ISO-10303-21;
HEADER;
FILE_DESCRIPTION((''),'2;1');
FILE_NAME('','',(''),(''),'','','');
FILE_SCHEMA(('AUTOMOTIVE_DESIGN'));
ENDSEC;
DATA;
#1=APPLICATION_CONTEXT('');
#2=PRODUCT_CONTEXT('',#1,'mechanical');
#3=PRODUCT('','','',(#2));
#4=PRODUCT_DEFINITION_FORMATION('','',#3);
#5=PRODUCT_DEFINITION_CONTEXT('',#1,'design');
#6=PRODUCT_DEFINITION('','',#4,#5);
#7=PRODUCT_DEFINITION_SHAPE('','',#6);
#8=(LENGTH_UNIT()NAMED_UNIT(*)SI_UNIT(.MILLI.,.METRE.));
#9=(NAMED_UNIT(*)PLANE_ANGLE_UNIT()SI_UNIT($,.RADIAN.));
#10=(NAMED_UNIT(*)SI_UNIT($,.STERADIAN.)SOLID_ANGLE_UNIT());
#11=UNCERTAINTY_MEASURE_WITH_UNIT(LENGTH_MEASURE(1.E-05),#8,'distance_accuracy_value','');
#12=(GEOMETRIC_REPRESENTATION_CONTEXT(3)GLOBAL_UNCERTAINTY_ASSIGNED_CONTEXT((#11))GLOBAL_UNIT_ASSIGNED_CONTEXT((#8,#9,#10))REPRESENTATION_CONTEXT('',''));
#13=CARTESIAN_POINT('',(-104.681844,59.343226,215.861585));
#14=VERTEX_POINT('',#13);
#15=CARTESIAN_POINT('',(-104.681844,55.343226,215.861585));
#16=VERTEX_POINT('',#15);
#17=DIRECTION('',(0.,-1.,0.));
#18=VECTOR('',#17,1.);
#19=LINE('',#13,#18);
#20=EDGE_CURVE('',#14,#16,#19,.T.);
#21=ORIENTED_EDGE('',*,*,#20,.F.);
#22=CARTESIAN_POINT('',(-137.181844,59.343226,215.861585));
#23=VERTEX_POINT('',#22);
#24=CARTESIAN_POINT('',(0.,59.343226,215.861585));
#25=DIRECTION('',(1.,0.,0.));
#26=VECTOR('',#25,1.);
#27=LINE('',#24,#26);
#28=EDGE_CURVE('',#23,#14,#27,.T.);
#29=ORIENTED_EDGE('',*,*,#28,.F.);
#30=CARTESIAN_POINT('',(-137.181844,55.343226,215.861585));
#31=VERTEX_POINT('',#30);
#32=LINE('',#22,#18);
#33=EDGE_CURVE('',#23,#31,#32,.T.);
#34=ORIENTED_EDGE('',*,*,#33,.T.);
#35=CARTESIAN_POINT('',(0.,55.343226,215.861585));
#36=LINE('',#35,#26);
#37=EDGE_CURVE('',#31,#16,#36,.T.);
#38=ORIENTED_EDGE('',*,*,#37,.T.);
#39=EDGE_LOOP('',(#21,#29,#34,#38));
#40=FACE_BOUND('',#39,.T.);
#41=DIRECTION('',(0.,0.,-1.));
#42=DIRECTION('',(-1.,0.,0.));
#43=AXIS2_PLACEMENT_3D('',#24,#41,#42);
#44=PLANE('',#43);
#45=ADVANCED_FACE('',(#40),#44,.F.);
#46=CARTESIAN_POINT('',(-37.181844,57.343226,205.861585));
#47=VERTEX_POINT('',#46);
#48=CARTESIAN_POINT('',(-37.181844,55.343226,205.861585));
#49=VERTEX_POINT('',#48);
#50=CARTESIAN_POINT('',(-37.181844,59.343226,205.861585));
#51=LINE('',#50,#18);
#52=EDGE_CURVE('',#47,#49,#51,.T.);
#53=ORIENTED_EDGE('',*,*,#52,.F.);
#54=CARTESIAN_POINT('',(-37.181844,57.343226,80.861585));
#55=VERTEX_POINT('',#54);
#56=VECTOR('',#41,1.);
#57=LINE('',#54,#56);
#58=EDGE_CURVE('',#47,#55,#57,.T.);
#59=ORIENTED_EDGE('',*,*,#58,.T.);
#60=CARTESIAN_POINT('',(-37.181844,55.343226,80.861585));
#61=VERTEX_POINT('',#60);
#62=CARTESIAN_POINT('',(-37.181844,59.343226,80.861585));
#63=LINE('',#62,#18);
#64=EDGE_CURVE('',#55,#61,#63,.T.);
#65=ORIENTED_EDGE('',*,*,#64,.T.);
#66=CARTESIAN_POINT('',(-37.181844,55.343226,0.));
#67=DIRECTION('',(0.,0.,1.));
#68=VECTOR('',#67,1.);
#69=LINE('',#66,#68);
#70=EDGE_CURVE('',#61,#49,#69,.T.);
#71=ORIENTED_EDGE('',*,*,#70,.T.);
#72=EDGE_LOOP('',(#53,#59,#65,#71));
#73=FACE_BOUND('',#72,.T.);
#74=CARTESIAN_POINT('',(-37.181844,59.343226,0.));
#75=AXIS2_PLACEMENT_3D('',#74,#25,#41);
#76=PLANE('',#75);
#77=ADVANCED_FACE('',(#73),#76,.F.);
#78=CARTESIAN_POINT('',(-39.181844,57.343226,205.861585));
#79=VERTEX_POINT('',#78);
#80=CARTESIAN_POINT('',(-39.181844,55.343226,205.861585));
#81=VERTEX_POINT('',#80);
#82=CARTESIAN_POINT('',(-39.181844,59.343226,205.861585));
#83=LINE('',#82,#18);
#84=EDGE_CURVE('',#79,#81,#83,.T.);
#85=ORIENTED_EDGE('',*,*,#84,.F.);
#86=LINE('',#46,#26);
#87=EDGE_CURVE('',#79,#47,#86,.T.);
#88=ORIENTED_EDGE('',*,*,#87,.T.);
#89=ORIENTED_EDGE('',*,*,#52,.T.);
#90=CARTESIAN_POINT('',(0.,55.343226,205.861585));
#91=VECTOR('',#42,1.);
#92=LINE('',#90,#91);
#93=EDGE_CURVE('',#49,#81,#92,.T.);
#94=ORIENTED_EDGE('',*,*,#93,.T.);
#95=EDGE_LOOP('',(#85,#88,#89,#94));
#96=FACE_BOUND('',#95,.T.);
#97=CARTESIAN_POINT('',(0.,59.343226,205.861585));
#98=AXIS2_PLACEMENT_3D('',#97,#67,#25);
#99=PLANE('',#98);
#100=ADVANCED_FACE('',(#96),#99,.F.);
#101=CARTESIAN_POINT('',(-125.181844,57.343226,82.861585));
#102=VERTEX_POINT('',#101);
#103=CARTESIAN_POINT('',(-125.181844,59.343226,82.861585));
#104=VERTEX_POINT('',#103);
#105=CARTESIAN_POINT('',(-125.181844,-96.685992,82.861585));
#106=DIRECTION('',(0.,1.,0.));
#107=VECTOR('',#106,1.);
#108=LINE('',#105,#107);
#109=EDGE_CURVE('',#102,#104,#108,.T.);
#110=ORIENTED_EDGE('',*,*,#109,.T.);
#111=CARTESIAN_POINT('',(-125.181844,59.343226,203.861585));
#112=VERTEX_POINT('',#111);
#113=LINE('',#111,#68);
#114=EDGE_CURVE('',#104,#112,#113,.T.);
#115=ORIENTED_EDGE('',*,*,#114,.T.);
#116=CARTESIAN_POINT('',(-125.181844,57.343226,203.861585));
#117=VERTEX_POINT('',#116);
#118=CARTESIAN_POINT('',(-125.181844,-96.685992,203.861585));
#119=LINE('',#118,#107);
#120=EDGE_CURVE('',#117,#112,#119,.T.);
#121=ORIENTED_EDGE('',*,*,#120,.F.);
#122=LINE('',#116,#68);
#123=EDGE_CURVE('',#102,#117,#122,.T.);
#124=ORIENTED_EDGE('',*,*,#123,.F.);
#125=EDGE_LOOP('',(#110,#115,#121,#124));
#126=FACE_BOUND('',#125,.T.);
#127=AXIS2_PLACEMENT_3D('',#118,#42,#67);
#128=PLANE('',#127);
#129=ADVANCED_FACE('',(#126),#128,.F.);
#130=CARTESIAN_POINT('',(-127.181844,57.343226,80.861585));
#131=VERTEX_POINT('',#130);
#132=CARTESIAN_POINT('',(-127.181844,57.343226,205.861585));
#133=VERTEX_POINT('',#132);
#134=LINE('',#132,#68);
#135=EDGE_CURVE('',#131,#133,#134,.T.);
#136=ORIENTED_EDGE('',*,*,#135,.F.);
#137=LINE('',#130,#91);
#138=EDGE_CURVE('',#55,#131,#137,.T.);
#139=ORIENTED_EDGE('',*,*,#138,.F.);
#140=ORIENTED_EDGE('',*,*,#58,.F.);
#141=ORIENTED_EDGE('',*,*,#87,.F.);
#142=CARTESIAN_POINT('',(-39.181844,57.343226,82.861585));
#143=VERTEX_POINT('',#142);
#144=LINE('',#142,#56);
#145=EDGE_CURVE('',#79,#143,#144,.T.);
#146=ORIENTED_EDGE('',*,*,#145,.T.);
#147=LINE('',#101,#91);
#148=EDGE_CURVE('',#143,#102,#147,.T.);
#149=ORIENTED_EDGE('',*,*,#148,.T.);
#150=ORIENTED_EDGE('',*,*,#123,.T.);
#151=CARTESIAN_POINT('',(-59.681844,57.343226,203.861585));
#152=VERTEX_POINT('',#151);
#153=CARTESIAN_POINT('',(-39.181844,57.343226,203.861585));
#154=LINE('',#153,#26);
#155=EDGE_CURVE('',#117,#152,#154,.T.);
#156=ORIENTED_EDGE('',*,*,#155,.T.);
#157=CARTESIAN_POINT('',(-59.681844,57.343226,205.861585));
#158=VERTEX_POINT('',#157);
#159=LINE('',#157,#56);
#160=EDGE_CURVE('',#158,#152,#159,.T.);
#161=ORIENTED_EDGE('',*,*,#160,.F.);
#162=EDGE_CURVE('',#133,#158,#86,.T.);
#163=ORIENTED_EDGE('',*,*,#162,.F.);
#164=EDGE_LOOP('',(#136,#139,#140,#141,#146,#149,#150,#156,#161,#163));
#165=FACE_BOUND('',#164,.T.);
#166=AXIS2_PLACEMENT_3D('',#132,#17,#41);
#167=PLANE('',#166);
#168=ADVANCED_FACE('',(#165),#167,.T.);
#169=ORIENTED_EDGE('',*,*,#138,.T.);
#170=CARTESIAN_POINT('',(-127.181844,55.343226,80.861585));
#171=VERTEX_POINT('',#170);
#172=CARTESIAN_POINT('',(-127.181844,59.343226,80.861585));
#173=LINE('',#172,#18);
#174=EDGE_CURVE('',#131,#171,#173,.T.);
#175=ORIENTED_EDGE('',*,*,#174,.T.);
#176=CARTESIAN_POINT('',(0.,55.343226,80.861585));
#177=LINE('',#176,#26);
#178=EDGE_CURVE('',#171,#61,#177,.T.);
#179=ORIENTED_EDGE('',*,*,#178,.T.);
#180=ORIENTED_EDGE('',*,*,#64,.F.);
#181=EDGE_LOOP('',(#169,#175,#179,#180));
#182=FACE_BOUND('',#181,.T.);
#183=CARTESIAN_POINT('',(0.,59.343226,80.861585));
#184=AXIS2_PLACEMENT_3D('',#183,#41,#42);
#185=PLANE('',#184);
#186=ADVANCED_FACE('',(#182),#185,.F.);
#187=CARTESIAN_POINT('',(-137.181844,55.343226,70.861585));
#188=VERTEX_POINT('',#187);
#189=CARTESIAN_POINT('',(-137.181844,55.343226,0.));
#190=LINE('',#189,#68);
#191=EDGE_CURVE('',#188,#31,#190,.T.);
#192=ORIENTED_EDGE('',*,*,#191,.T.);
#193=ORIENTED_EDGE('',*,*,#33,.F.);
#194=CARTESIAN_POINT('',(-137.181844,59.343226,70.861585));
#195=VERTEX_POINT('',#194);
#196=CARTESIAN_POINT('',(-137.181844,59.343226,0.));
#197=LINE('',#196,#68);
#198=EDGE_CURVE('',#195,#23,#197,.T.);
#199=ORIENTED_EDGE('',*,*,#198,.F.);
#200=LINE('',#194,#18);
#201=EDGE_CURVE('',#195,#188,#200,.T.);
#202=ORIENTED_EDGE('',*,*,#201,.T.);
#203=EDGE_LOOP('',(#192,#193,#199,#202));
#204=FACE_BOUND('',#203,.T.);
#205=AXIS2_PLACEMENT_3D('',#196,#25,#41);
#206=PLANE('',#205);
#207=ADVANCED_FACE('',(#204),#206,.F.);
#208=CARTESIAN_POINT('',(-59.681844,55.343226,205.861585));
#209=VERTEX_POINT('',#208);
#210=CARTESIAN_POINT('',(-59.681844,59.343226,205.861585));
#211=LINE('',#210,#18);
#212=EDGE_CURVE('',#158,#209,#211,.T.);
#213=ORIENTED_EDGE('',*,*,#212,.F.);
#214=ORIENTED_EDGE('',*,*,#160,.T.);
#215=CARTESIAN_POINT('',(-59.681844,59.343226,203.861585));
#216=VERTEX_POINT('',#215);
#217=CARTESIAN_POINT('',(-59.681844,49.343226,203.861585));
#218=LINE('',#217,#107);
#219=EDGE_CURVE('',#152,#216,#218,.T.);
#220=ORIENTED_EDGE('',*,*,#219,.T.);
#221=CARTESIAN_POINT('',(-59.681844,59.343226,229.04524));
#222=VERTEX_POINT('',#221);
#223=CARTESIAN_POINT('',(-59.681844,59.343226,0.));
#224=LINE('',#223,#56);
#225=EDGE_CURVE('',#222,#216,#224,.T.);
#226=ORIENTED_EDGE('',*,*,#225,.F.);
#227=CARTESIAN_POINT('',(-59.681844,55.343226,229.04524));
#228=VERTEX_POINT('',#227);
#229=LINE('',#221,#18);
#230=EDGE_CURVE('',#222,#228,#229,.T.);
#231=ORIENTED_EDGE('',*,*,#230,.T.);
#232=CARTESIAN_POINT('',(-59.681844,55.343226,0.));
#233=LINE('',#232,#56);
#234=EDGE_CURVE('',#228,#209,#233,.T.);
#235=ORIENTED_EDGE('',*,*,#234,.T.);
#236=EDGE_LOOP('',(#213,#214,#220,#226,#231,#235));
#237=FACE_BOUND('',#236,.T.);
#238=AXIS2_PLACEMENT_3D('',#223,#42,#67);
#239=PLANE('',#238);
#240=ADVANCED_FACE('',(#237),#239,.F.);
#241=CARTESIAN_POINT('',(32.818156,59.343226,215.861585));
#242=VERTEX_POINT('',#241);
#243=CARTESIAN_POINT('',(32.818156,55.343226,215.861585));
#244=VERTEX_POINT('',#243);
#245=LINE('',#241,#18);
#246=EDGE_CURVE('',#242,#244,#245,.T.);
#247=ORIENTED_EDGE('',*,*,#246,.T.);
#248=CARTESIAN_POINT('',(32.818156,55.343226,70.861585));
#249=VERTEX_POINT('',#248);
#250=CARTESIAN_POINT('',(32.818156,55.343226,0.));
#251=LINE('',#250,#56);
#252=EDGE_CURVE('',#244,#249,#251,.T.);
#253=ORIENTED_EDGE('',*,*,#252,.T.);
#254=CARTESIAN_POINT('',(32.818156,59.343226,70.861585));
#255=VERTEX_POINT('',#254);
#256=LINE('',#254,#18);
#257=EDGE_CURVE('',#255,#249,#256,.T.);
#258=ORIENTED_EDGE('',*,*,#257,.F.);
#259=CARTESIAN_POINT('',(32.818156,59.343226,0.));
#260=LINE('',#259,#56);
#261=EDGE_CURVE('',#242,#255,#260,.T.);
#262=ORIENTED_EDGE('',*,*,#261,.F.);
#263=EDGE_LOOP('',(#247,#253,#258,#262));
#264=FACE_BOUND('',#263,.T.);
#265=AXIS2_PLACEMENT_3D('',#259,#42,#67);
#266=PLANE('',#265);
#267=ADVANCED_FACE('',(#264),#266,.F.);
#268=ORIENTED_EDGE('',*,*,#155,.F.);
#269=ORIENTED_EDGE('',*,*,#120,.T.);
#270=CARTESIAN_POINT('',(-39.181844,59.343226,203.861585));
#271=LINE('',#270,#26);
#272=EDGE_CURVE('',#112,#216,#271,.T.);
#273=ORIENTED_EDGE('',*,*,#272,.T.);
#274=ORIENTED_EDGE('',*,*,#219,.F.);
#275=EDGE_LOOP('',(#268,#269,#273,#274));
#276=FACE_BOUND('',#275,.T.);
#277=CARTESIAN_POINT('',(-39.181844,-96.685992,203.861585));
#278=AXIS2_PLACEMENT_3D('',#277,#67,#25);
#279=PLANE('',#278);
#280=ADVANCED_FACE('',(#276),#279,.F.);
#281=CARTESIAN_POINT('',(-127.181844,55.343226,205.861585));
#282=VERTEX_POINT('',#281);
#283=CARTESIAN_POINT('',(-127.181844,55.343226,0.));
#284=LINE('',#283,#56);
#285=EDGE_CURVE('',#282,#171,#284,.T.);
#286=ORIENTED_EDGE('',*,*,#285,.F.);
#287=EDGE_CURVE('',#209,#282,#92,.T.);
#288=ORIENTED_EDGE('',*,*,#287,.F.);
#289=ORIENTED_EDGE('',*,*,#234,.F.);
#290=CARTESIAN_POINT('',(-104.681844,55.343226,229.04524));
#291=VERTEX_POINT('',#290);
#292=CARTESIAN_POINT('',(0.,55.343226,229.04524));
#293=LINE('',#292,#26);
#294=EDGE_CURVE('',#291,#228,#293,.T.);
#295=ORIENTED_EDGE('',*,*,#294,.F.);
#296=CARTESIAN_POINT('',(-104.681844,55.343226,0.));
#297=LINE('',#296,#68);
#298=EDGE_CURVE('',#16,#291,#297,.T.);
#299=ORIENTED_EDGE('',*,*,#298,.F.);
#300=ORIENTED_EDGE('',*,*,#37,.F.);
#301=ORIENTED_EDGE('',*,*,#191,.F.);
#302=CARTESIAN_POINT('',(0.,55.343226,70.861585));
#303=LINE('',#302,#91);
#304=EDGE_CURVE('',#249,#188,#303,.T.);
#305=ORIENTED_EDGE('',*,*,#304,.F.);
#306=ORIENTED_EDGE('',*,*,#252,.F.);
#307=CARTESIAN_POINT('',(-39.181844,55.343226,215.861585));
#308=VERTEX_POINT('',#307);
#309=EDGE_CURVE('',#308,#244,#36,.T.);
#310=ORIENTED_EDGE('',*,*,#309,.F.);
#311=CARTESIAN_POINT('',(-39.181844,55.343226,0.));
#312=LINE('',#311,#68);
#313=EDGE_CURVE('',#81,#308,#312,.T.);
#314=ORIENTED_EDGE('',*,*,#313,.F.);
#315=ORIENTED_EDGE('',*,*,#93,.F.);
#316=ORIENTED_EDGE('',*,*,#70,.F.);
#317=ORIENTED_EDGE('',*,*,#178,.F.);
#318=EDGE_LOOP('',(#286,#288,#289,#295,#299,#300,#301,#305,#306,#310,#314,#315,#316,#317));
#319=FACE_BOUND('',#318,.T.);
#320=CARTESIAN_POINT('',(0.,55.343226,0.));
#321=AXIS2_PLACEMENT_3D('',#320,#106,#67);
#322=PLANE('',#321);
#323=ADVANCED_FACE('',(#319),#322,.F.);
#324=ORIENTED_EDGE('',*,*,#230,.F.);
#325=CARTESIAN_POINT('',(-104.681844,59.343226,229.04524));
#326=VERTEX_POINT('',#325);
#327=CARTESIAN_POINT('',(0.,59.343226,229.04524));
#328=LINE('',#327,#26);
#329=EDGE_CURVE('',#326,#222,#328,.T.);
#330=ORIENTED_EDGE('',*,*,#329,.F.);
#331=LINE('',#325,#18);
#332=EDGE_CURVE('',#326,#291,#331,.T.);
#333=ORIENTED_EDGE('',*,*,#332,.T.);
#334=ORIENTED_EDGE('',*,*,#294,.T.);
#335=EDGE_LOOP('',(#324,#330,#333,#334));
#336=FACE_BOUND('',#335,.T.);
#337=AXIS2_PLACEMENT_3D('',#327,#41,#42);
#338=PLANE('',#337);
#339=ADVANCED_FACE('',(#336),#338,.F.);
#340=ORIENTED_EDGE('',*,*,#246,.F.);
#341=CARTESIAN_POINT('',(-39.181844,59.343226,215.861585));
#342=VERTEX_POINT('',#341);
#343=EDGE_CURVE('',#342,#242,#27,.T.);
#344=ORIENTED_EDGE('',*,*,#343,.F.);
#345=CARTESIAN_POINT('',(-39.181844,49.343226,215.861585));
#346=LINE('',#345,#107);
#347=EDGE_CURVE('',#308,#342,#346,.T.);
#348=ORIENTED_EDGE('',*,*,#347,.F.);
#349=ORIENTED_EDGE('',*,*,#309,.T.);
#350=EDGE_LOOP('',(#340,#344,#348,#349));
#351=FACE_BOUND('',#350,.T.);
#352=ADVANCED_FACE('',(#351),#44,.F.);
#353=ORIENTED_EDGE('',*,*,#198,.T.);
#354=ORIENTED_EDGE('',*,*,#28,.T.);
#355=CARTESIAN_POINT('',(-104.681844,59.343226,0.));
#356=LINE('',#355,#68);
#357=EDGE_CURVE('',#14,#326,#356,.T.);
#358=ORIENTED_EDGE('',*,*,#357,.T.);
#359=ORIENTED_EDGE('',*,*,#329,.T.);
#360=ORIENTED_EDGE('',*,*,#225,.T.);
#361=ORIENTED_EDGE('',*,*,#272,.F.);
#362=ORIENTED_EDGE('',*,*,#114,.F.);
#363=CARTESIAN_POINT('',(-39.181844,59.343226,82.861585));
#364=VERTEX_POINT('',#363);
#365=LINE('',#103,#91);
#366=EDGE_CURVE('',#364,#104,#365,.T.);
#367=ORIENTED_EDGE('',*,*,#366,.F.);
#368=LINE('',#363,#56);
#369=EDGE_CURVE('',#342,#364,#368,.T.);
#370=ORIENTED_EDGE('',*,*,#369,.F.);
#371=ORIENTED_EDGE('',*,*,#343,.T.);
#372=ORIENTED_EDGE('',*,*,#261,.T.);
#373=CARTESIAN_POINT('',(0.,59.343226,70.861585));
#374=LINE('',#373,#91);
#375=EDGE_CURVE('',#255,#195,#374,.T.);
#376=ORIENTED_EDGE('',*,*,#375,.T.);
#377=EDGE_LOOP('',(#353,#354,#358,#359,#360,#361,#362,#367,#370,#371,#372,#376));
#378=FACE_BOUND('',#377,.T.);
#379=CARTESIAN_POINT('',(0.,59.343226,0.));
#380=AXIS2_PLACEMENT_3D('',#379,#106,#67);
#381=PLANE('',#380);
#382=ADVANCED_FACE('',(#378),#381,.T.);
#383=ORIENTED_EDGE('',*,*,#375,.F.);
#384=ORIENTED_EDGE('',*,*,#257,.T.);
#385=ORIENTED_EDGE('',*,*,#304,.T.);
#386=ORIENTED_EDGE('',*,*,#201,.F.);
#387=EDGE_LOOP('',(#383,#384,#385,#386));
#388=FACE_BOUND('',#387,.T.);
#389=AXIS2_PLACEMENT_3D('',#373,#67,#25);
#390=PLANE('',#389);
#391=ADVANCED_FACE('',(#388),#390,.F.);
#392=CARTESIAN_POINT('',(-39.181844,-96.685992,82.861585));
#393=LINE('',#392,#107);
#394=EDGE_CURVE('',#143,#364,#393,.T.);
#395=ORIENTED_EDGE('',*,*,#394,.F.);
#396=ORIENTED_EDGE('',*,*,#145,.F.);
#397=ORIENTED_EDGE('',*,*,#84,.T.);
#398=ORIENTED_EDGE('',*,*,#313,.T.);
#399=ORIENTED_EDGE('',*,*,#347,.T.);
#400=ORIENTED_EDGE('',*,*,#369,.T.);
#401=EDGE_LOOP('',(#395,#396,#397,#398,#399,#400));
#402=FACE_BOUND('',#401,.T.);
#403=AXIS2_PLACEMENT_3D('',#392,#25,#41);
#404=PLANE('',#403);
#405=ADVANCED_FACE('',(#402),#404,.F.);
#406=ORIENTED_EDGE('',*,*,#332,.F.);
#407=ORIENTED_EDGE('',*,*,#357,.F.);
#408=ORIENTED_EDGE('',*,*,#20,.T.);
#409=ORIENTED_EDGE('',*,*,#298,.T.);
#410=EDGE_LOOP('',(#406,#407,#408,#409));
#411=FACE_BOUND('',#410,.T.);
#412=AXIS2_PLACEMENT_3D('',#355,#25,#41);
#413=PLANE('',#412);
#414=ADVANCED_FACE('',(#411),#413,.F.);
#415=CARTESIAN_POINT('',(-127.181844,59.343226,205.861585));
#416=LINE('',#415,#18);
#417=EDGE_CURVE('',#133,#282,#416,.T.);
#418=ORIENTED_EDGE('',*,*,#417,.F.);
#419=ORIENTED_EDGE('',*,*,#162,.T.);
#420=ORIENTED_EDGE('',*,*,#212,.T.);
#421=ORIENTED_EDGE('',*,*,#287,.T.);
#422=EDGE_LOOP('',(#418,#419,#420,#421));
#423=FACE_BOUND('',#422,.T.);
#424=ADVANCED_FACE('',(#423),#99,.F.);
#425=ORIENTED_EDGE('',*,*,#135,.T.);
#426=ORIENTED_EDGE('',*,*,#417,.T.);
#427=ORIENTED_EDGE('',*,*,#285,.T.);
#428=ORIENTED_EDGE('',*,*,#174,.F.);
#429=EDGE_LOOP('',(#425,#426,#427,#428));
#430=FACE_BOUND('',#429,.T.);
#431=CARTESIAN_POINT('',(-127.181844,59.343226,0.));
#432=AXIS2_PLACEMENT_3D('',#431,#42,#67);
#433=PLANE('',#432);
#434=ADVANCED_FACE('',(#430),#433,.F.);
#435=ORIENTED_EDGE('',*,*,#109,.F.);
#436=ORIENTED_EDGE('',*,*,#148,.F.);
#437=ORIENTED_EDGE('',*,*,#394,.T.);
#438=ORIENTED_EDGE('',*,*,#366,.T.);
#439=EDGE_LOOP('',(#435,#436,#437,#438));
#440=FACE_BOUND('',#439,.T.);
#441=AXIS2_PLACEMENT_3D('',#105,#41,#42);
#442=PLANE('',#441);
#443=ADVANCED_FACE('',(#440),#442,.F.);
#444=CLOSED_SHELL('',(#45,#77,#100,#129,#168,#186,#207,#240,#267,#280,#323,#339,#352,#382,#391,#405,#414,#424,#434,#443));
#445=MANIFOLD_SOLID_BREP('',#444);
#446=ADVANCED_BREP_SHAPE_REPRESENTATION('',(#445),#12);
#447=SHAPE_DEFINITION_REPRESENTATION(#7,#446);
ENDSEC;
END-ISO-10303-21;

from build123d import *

# Parameters (mm, degrees)
SKETCH1_W           = 90
SKETCH1_H           = 125
BOSS_EXTRUDE1_DEPTH = 4
SKETCH2_W           = 90
SKETCH2_H           = 125
SKETCH2_W_2         = 86
SKETCH2_H_2         = 121
BOSS_EXTRUDE2_DEPTH = 2
SKETCH3_W           = 20.5
SKETCH3_H           = 12
CUT_EXTRUDE1_DEPTH  = 10


with BuildPart() as part:
    # Sketch1 → Boss-Extrude1 (new body)
    with BuildSketch(Plane(origin=(0, 55.343226389, 0), x_dir=(1, 0, 0), z_dir=(0, 1, 0))):
        Polygon((-104.681843773, -215.861584775), (-104.681843773, -229.045240407), (-59.681843773, -229.045240407), (-59.681843773, -215.861584775), (32.818156227, -215.861584775), (32.818156227, -70.861584775), (-137.181843773, -70.861584775), (-137.181843773, -215.861584775), align=None)
        with Locations((-82.181843773, -143.361584775)):
            Rectangle(SKETCH1_W, SKETCH1_H, mode=Mode.SUBTRACT)
    extrude(amount=BOSS_EXTRUDE1_DEPTH)

    # Sketch2 → Boss-Extrude2 (add)
    with BuildSketch(Plane(origin=(0, 59.343226389, 0), x_dir=(1, 0, 0), z_dir=(0, 1, 0))):
        with Locations((-82.181843773, -143.361584775)):
            Rectangle(SKETCH2_W, SKETCH2_H)
        with Locations((-82.181843773, -143.361584775)):
            Rectangle(SKETCH2_W_2, SKETCH2_H_2, mode=Mode.SUBTRACT)
    extrude(amount=-BOSS_EXTRUDE2_DEPTH)

    # Sketch3 → Cut-Extrude1 (cut)
    with BuildSketch(Plane(origin=(0, 59.343226389, 0), x_dir=(1, 0, 0), z_dir=(0, 1, 0))):
        with Locations((-49.431843773, -209.861584775)):
            Rectangle(SKETCH3_W, SKETCH3_H)
    extrude(amount=-CUT_EXTRUDE1_DEPTH, mode=Mode.SUBTRACT)


solid = part.part
